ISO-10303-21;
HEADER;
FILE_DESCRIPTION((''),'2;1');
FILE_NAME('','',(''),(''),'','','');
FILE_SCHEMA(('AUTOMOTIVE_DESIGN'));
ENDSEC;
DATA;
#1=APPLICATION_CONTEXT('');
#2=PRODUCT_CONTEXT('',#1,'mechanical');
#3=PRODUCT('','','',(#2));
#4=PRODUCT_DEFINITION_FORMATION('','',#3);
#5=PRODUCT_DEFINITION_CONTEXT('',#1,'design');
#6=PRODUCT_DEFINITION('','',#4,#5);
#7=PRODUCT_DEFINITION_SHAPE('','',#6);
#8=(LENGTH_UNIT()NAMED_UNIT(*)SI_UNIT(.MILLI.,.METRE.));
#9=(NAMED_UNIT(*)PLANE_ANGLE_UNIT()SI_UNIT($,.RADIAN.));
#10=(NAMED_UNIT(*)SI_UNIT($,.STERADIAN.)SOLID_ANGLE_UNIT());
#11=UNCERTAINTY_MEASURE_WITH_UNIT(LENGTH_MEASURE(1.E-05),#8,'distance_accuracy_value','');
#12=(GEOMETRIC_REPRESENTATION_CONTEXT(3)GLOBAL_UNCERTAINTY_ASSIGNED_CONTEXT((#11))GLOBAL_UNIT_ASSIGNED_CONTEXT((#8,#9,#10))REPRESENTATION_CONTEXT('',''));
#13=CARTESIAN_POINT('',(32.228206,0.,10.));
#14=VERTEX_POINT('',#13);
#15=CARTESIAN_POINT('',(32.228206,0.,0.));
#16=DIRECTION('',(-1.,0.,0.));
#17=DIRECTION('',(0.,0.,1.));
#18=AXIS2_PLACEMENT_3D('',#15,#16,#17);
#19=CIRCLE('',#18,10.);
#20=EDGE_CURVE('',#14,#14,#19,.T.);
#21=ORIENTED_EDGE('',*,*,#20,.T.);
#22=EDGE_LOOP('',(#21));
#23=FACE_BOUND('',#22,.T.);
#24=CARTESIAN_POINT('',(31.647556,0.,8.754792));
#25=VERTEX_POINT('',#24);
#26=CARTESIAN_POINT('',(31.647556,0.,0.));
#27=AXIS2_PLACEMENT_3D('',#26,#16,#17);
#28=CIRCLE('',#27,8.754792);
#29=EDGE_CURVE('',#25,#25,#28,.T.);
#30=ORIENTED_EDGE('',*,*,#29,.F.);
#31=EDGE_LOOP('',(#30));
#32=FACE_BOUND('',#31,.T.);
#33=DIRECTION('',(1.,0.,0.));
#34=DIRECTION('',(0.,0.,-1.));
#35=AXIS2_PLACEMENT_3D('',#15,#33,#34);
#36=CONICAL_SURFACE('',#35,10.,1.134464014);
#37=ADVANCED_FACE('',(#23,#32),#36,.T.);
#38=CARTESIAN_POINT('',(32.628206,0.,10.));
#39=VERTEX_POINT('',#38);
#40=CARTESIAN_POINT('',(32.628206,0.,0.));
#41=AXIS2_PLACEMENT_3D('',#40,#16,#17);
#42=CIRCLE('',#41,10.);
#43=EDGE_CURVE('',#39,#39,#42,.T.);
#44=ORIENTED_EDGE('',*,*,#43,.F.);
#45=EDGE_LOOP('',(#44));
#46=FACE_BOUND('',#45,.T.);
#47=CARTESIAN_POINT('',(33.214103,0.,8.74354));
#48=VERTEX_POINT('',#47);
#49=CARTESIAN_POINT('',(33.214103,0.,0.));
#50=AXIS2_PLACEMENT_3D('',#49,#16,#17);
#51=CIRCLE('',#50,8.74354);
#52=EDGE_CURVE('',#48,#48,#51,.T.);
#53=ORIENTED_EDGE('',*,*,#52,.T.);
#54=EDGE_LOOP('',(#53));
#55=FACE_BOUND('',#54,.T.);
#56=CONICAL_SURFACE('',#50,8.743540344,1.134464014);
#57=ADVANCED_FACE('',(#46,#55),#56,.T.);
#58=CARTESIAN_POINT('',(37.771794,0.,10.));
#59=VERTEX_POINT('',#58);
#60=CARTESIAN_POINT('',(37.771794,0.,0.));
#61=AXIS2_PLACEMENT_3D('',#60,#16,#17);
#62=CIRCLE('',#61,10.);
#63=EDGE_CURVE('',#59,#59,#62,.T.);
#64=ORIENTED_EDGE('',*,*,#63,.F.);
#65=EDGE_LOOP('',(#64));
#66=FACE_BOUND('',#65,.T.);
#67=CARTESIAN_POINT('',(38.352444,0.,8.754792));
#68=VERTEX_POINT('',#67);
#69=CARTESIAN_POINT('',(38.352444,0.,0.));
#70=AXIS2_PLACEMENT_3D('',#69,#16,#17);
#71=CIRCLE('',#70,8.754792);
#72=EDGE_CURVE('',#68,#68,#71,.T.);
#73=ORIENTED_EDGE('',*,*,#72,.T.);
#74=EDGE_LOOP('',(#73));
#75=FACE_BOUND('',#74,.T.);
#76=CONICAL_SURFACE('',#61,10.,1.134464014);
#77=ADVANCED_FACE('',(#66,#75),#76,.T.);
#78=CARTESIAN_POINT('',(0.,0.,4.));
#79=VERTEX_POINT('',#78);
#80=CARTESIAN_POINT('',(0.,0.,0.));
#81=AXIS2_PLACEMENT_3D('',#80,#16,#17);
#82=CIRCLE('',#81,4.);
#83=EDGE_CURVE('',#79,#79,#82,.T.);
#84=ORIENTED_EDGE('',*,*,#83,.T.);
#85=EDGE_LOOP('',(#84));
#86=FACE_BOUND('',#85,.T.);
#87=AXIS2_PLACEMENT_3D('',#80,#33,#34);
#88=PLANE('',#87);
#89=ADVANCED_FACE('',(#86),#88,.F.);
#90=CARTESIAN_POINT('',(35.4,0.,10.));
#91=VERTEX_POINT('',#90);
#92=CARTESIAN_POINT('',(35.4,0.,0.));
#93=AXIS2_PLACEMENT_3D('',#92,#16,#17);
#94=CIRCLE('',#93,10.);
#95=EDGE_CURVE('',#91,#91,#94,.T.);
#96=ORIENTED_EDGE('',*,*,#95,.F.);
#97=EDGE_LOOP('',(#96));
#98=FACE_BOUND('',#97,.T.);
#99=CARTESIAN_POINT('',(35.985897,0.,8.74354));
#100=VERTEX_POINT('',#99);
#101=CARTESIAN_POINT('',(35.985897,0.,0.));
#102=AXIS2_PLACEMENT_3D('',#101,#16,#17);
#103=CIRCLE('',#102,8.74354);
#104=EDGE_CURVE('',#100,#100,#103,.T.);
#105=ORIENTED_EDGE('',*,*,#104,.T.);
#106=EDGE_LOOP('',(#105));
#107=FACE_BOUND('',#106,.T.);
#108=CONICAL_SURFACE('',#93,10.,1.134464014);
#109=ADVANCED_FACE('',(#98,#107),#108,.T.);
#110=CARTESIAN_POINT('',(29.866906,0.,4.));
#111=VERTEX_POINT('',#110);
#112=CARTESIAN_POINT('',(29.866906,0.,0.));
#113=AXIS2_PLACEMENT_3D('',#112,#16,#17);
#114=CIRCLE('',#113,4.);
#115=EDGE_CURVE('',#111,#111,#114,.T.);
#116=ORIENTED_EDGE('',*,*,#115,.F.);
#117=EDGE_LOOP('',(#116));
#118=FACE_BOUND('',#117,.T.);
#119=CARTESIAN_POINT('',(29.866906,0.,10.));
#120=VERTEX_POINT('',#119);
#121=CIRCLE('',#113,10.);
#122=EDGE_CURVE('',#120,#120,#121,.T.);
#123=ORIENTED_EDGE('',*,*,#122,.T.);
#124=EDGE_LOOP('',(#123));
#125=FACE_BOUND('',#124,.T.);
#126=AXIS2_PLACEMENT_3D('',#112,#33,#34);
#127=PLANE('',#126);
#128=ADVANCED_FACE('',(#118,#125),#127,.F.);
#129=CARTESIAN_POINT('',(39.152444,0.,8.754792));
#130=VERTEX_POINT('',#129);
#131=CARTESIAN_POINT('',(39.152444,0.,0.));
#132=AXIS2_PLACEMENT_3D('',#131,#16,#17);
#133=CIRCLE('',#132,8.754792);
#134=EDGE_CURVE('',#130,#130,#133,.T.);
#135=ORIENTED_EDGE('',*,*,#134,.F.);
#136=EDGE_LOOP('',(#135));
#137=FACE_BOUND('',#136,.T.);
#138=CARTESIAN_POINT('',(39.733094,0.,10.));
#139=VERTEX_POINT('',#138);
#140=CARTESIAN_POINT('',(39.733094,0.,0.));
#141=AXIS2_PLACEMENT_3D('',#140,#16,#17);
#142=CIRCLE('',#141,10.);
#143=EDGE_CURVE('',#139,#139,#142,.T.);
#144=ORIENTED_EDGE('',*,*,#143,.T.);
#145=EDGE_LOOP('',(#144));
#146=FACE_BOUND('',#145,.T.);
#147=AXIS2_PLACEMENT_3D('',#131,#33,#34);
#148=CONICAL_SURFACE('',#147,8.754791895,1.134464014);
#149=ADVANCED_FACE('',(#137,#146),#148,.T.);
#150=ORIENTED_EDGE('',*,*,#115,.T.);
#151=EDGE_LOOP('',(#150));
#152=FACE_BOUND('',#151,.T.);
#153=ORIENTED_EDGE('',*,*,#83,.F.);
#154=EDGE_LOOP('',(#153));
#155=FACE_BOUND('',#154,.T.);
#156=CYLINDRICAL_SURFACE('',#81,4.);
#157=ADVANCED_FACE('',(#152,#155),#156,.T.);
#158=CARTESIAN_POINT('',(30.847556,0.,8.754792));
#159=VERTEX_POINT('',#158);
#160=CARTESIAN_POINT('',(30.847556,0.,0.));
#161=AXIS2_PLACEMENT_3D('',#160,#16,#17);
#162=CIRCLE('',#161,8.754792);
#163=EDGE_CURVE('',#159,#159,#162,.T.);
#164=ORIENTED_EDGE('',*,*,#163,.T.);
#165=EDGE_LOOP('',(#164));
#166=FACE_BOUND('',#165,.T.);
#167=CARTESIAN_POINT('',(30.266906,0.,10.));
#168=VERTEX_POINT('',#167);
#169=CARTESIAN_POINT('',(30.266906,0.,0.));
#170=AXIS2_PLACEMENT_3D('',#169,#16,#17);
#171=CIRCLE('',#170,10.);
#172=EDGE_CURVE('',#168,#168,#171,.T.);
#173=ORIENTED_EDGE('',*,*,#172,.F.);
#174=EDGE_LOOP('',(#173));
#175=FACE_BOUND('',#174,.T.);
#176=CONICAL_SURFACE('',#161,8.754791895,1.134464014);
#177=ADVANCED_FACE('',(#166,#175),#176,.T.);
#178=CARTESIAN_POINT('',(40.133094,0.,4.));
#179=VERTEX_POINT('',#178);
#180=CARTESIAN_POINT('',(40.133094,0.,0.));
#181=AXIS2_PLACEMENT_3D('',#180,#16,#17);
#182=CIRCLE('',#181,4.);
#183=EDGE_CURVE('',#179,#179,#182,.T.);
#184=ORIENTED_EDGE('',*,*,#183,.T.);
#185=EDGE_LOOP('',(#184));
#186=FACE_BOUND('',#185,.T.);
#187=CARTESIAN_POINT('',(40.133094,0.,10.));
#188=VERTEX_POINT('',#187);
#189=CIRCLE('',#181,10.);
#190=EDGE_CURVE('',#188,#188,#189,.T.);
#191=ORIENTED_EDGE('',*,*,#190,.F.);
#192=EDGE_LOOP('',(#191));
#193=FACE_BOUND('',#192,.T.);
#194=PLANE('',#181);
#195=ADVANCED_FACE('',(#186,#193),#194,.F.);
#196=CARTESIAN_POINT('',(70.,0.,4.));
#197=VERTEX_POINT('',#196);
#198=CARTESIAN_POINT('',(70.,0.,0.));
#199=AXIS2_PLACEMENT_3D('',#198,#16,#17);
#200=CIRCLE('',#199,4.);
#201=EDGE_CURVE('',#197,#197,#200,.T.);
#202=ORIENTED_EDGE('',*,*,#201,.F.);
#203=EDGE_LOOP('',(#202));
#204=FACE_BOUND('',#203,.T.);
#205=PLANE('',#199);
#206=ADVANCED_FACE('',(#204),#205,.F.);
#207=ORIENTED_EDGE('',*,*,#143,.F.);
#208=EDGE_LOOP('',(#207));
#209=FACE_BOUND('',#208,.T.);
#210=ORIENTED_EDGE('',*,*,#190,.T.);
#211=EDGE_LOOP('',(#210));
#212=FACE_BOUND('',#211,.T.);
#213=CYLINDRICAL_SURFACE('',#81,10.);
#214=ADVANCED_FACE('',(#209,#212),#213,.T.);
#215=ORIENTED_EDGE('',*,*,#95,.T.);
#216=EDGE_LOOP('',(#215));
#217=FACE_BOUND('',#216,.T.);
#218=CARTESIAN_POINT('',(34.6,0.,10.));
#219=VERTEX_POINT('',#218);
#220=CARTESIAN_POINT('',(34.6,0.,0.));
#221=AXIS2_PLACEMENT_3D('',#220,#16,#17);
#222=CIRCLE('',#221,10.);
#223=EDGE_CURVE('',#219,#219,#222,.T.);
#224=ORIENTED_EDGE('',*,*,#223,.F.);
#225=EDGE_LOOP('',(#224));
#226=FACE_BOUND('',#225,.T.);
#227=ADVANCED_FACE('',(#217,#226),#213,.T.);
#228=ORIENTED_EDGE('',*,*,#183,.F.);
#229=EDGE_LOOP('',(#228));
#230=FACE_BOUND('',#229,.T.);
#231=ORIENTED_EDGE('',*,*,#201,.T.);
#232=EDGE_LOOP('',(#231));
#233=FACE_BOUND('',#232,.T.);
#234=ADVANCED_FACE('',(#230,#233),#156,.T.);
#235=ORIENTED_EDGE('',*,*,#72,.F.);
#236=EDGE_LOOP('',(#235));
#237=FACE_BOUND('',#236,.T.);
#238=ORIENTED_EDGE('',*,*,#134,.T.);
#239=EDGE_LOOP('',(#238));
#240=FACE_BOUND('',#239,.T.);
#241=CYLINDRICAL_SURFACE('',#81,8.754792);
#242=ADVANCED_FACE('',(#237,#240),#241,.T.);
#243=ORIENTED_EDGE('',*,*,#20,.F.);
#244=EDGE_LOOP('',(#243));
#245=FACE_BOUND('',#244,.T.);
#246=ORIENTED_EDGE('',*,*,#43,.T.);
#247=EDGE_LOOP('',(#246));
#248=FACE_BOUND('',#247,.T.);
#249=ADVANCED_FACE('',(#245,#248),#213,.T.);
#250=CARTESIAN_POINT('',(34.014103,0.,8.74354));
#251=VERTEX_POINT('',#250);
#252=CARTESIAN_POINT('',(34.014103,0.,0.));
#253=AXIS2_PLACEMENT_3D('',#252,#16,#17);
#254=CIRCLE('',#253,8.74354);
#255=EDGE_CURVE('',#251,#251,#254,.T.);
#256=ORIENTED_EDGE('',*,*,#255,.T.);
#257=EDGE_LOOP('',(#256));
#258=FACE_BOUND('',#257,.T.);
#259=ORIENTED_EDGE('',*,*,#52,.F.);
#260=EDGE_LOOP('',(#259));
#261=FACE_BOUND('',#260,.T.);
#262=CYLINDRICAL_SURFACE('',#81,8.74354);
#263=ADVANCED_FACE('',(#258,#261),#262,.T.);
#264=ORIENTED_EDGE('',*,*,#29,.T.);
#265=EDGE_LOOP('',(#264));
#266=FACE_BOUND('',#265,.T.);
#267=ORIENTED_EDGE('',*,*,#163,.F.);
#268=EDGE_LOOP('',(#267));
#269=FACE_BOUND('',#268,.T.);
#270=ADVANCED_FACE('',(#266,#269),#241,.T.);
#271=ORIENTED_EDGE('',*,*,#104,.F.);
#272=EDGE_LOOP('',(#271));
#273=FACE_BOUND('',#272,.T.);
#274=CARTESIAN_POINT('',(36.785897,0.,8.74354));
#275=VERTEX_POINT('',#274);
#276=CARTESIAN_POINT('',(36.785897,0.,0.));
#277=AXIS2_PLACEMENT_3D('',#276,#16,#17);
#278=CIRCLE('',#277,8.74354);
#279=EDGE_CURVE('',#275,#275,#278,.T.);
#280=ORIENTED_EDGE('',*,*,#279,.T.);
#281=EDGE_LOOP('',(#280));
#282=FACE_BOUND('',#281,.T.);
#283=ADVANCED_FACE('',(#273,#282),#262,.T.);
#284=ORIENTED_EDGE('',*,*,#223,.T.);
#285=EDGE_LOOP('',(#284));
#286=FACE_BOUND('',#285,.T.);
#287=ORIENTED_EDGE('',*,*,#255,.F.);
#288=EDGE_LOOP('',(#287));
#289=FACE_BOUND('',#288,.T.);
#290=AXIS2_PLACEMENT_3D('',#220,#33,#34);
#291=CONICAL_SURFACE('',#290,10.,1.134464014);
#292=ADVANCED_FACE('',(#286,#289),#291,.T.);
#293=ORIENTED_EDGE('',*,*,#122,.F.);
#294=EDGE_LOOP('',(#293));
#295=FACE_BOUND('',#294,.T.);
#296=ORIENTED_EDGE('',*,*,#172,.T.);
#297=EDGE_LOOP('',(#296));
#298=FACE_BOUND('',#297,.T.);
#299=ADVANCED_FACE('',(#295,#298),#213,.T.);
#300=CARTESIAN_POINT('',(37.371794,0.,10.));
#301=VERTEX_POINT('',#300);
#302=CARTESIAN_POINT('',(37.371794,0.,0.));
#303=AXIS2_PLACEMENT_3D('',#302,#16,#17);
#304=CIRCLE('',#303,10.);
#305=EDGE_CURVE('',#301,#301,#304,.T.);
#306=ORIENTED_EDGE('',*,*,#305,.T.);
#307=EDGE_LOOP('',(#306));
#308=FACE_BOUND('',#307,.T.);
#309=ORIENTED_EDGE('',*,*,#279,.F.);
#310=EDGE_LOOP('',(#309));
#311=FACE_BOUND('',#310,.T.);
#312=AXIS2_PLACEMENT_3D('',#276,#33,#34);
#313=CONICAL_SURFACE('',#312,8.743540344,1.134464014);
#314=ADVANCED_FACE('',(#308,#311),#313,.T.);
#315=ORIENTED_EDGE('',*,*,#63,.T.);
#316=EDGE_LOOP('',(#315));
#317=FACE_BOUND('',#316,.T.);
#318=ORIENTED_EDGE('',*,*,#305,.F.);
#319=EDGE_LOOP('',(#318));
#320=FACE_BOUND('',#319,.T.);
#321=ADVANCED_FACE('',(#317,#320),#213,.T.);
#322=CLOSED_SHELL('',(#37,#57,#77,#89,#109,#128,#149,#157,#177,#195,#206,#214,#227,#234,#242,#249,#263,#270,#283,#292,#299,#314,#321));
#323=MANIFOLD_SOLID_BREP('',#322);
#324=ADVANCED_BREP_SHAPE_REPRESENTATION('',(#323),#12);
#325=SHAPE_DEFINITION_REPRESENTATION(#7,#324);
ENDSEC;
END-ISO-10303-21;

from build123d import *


with BuildPart() as part:
    # Sketch1 → Revolve1 (revolve)
    with BuildSketch(Plane.XY, mode=Mode.PRIVATE) as revolve1_sk:
        Polygon((35.4, 10), (35.98589676, 8.743540344), (36.78589676, 8.743540344), (37.37179352, 10), (37.77179352, 10), (38.352443595, 8.754791895), (39.152443595, 8.754791895), (39.73309367, 10), (40.13309367, 10), (40.13309367, 4), (70, 4), (70, 0), (0, 0), (0, 4), (29.86690633, 4), (29.86690633, 10), (30.26690633, 10), (30.847556405, 8.754791895), (31.647556405, 8.754791895), (32.22820648, 10), (32.62820648, 10), (33.21410324, 8.743540344), (34.01410324, 8.743540344), (34.6, 10), align=None)
    revolve(revolve1_sk.sketch.rotate(Axis((0, 0, 0), (1, 0, 0)), 90), axis=Axis((0, 0, 0), (1, 0, 0)))


solid = part.part
